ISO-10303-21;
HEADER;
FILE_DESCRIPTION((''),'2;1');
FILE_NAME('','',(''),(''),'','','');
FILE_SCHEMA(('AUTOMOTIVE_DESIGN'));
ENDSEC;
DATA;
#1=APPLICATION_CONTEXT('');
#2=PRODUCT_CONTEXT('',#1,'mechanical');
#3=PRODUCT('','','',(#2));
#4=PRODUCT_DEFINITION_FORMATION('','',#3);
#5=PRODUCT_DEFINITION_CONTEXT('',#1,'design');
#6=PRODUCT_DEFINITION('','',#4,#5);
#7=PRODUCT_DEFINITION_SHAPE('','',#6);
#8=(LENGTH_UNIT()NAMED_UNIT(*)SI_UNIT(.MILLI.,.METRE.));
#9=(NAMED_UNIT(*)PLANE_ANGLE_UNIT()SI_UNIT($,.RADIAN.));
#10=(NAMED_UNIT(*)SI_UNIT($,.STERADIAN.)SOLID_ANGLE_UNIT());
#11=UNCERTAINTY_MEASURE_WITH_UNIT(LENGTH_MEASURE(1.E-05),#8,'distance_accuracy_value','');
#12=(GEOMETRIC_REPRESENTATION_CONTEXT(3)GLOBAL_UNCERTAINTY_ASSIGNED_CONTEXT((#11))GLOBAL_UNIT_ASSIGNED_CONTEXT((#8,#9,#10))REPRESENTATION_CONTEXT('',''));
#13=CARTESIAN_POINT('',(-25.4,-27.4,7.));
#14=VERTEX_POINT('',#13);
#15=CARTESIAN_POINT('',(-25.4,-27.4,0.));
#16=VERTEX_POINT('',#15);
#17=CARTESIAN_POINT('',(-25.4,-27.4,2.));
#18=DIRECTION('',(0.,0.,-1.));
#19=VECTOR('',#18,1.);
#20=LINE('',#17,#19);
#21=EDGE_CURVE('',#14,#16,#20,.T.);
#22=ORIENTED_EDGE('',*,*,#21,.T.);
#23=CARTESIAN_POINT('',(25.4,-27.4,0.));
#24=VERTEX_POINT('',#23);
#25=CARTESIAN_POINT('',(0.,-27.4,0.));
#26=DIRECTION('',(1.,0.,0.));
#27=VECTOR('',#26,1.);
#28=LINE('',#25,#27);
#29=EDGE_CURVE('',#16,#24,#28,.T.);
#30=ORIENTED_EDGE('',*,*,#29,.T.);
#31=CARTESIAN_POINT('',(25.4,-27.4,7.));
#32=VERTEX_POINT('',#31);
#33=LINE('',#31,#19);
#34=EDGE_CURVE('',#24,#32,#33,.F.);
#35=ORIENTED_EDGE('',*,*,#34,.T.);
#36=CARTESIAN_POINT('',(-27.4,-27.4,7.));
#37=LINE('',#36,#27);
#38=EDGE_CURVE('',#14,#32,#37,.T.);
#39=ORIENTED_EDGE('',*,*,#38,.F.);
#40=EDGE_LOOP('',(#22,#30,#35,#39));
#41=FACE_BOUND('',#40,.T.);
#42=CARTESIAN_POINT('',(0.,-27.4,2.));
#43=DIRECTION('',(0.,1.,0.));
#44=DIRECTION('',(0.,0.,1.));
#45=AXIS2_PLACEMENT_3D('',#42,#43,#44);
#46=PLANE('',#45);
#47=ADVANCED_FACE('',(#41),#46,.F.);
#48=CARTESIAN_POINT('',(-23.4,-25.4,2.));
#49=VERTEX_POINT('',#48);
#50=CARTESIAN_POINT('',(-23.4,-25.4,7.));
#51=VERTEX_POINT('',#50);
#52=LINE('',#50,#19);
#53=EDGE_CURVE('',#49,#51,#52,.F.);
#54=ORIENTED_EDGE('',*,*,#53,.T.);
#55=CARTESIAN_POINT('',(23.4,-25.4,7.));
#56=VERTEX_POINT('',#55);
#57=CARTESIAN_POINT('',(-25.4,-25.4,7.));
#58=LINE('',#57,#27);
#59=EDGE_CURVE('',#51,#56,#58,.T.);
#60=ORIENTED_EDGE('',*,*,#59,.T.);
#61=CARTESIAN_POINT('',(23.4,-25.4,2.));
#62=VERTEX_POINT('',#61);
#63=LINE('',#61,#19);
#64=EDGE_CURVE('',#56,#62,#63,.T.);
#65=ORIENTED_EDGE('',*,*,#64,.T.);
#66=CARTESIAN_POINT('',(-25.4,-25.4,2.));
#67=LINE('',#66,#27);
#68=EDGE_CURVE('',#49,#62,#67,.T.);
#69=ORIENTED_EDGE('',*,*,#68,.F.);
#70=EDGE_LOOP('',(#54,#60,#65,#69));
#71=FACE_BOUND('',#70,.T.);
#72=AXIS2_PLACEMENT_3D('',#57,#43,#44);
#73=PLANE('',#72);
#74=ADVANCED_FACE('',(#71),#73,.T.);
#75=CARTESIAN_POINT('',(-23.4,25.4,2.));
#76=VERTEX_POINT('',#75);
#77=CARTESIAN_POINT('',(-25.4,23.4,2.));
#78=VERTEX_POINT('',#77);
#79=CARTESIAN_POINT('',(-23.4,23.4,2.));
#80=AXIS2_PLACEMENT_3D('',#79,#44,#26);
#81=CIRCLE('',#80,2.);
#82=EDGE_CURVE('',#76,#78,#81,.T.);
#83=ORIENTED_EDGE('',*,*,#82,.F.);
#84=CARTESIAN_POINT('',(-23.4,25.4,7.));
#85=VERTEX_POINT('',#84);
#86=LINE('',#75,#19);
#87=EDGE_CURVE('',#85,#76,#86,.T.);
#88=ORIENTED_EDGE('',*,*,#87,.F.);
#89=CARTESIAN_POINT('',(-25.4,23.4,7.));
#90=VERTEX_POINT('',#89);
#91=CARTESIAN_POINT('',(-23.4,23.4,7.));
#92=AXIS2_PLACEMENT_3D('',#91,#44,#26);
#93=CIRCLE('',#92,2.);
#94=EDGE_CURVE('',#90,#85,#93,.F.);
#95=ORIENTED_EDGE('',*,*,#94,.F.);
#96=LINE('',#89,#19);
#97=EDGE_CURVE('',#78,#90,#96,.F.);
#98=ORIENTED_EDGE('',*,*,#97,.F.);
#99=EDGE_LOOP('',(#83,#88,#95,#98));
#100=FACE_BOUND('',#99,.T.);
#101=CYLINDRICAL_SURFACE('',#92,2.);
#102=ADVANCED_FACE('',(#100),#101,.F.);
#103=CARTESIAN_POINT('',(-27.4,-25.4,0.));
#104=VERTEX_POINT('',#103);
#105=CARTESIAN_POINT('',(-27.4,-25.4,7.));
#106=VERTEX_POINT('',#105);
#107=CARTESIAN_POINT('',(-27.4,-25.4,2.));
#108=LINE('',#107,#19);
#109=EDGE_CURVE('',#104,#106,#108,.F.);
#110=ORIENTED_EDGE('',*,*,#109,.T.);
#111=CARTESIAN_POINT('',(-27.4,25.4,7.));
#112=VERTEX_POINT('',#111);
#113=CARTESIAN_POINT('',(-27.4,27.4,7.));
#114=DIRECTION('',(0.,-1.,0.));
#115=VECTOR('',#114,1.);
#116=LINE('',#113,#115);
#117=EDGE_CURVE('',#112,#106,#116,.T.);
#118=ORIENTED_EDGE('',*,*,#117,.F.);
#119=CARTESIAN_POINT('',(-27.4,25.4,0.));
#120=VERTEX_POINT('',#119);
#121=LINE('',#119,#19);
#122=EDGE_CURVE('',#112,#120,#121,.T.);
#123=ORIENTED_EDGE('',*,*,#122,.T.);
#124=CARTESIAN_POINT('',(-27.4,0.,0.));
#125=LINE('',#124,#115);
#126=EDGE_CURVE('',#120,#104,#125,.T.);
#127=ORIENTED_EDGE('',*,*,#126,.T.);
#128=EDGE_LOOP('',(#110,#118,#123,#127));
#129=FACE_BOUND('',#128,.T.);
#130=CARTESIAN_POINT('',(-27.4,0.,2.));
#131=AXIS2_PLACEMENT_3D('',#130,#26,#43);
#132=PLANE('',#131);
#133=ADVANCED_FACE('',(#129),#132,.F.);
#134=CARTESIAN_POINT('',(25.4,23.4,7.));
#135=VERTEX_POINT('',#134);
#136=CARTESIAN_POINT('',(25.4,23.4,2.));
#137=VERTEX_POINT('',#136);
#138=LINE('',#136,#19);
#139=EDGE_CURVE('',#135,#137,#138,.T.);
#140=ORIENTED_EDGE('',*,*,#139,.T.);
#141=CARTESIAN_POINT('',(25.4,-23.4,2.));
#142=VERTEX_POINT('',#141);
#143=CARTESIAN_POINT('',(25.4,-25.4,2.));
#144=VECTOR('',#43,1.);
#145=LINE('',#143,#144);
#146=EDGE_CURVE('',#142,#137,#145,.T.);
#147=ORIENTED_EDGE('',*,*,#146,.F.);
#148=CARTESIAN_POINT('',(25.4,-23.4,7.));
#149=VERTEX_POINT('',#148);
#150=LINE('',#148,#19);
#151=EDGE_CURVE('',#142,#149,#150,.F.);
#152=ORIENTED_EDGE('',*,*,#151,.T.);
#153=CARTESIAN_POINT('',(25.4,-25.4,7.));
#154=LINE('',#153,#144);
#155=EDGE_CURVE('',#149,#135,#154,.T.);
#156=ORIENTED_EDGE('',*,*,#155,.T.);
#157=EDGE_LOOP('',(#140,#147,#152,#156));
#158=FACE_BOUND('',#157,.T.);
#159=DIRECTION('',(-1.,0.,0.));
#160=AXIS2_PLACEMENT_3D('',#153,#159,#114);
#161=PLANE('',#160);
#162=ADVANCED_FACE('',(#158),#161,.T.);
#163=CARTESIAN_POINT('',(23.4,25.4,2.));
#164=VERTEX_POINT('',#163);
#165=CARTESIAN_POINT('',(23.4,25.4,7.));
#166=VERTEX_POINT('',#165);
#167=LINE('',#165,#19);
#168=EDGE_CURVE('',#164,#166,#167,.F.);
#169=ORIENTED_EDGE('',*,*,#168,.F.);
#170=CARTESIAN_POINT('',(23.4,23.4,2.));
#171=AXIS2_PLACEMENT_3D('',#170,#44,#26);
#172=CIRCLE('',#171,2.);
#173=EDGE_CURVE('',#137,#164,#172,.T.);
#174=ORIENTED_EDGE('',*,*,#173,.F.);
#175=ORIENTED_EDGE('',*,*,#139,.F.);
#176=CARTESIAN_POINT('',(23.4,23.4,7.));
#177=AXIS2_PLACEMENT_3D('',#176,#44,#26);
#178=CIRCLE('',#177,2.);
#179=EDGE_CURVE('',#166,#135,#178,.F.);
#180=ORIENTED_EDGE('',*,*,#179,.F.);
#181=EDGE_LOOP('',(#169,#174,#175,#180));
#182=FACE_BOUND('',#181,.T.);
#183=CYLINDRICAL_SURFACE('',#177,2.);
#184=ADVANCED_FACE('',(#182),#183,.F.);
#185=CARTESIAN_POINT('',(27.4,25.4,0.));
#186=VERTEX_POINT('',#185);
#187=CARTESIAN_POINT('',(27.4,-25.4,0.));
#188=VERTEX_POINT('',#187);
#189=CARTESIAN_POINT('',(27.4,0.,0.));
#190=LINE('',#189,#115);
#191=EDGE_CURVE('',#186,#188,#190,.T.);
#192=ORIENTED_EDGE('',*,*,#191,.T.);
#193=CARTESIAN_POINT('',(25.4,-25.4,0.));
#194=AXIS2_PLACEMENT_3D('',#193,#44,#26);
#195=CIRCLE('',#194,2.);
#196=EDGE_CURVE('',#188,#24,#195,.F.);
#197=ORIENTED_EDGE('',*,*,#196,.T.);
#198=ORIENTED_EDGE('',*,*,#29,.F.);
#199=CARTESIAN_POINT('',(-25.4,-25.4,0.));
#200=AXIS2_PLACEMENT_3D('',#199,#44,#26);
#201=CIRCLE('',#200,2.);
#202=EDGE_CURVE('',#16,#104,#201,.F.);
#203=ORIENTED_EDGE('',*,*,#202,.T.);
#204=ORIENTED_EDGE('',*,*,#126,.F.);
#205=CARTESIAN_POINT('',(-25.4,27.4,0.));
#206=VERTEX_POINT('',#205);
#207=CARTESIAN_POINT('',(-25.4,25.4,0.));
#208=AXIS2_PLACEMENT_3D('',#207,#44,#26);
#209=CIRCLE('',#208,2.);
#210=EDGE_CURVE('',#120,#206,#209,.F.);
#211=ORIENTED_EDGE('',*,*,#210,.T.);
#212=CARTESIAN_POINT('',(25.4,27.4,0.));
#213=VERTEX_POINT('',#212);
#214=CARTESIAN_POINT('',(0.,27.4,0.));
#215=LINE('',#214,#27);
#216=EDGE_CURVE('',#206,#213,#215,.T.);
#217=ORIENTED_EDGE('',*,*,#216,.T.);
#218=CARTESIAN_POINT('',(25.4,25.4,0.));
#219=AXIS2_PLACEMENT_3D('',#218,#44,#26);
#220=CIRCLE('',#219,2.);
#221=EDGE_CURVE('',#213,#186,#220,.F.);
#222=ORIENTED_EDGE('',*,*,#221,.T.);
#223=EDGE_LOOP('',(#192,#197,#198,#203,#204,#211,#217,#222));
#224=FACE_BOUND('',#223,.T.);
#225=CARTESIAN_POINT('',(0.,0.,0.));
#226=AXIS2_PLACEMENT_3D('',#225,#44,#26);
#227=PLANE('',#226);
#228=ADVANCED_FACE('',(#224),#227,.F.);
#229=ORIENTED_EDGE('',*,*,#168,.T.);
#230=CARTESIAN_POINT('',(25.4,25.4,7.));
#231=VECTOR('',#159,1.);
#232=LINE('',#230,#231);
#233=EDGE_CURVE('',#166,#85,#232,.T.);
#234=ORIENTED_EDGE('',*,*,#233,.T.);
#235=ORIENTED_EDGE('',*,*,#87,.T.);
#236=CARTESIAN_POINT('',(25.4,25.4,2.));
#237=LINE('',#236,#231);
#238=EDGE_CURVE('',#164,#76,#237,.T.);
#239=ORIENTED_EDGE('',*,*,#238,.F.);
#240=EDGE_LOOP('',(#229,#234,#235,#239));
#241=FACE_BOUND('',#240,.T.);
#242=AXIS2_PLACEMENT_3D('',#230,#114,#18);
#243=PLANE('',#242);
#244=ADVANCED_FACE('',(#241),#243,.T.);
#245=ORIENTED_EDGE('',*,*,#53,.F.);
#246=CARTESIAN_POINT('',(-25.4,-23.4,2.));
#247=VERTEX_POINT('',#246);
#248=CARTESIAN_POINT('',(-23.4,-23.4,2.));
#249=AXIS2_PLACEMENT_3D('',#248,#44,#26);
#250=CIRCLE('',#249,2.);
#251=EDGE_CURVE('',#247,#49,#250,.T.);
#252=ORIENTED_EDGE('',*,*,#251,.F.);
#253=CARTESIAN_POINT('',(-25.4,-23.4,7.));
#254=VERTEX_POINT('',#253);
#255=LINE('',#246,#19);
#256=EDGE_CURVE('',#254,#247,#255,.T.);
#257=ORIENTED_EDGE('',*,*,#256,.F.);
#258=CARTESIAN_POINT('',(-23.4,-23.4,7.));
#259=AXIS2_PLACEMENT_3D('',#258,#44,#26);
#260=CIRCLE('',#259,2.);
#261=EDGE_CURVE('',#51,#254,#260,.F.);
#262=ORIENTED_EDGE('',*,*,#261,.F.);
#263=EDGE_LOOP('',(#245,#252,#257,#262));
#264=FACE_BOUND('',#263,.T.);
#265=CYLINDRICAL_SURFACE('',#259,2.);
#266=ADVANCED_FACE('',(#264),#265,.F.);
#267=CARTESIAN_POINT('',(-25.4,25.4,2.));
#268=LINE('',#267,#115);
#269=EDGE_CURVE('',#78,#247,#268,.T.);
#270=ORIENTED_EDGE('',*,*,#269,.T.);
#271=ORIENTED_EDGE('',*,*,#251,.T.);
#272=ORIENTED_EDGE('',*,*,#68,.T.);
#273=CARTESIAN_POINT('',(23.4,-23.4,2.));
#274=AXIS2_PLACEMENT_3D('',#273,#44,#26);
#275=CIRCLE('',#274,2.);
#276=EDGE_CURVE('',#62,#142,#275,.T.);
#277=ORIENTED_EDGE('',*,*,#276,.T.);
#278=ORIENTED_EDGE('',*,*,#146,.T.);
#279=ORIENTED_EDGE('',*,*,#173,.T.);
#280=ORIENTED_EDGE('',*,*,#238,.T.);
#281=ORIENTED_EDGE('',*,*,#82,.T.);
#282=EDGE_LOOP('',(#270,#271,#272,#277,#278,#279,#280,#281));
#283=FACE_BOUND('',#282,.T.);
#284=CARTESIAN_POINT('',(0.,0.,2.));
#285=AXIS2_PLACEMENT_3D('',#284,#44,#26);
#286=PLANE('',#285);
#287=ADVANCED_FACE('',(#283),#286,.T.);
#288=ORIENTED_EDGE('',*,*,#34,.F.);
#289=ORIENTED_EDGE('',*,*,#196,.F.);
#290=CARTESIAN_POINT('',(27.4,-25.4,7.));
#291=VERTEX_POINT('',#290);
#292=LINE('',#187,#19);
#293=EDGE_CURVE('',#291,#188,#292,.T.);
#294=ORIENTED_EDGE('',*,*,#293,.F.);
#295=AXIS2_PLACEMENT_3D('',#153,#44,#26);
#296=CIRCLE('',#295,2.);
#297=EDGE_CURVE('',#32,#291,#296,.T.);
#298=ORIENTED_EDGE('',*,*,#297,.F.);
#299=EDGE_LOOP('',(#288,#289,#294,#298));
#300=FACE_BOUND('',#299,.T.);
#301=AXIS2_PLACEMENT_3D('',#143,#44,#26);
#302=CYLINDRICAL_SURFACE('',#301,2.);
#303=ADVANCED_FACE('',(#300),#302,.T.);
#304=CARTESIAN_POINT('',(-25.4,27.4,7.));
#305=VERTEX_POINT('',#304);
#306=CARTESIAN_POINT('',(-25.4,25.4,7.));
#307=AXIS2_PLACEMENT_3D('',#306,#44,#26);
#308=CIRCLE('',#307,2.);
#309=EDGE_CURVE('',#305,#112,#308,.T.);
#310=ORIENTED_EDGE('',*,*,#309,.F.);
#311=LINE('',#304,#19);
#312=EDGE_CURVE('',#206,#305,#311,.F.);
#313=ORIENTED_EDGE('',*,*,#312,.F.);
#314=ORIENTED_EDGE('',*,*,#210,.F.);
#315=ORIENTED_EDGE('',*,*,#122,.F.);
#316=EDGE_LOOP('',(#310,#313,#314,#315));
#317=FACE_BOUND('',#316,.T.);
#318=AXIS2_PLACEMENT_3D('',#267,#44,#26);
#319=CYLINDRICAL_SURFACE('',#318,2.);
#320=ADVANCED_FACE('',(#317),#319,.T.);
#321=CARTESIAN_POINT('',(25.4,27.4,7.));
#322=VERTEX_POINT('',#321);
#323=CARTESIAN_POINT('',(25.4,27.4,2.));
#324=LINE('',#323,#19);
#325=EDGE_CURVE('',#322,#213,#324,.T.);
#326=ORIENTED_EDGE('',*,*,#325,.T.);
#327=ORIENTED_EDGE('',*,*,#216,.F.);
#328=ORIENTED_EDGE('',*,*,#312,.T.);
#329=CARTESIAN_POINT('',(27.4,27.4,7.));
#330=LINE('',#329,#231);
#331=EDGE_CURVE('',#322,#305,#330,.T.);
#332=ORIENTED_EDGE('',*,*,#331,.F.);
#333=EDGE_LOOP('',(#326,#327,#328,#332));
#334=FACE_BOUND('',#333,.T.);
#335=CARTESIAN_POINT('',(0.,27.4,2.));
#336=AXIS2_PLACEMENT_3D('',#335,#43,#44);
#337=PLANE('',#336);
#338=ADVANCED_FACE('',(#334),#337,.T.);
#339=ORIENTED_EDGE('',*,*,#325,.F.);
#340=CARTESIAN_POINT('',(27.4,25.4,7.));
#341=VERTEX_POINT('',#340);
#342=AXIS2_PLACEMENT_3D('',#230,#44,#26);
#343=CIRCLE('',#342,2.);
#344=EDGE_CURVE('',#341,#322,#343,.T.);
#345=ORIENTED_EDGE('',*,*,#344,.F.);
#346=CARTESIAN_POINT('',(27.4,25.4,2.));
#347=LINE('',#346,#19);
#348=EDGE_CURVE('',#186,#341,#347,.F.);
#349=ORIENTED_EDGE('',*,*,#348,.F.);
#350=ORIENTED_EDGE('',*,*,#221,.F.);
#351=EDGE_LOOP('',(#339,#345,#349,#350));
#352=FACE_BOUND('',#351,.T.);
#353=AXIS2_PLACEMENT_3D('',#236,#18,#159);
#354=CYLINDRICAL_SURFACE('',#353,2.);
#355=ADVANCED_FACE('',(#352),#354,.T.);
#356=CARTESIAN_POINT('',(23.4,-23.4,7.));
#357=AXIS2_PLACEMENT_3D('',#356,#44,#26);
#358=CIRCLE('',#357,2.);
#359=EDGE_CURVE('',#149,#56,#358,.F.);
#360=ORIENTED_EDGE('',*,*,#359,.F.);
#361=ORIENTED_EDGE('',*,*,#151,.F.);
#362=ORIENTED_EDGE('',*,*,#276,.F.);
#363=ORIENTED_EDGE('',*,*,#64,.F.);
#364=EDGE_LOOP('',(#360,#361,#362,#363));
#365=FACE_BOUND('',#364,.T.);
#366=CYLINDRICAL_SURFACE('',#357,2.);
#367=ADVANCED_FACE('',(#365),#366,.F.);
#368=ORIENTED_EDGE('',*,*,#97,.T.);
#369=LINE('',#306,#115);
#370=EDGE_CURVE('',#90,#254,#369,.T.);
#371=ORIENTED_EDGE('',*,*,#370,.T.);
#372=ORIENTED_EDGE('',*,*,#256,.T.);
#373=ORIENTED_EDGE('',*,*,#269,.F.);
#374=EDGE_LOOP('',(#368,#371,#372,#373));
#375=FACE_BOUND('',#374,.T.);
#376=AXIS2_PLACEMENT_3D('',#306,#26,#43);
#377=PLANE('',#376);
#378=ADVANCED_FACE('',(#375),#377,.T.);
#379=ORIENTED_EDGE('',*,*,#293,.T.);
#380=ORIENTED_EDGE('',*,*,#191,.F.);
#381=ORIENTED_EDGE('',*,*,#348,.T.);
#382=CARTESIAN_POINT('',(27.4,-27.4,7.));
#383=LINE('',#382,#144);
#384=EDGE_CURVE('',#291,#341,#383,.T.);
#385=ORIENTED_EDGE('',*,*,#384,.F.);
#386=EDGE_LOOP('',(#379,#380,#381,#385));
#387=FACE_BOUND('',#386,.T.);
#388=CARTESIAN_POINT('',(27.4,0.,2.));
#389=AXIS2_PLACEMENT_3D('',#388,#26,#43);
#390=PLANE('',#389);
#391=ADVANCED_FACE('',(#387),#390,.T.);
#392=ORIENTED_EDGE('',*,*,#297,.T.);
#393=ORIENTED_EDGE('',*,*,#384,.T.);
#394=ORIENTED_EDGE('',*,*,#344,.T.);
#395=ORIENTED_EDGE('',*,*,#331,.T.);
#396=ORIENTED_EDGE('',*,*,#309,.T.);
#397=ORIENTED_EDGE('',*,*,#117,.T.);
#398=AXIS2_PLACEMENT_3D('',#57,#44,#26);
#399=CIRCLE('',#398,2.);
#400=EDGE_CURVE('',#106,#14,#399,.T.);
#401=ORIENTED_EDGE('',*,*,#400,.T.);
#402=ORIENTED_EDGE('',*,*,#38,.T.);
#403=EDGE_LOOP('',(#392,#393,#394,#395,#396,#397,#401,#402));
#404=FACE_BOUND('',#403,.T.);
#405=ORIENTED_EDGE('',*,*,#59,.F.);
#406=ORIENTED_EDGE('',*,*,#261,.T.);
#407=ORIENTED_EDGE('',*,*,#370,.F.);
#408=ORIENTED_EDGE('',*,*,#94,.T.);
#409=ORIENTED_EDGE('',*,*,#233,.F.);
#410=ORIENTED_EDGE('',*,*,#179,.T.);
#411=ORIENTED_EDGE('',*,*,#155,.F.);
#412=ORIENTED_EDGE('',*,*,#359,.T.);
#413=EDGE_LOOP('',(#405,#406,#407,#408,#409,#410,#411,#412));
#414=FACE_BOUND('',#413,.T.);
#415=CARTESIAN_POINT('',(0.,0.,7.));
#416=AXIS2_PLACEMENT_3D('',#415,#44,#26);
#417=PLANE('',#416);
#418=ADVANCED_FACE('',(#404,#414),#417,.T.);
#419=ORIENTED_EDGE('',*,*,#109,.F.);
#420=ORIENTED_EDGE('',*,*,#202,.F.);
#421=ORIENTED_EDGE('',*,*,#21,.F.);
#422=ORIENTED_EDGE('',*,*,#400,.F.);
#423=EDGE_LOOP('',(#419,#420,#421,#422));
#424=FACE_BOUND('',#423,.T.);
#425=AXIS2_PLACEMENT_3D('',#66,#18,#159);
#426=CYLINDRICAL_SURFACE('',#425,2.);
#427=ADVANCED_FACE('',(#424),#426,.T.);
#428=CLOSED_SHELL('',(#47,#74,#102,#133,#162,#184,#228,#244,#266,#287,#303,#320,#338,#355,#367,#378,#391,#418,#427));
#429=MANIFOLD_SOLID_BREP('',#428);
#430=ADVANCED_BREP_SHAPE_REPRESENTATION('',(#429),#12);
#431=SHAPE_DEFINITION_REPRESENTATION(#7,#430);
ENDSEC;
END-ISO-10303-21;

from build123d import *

# Parameters (mm, degrees)
SKETCH1_W           = 54.8
SKETCH1_H           = 54.8
SKETCH1_W_2         = 50.8
SKETCH1_H_2         = 50.8
BOSS_EXTRUDE1_DEPTH = 2
SKETCH2_W           = 54.8
SKETCH2_H           = 54.8
SKETCH2_W_2         = 50.8
SKETCH2_H_2         = 50.8
BOSS_EXTRUDE2_DEPTH = 5
FILLET1_R           = 2


with BuildPart() as part:
    # Sketch1 → Boss-Extrude1 (new body)
    # profile 1 of 2: a face of its own
    with BuildSketch(Plane.XY):
        Rectangle(SKETCH1_W, SKETCH1_H)
        Rectangle(SKETCH1_W_2, SKETCH1_H_2, mode=Mode.SUBTRACT)
    # profile 2 of 2: a face of its own
    with BuildSketch(Plane.XY):
        Rectangle(SKETCH1_W_2, SKETCH1_H_2)
    extrude(amount=BOSS_EXTRUDE1_DEPTH)

    # Sketch2 → Boss-Extrude2 (add)
    with BuildSketch(Plane.XY.offset(2)):
        Rectangle(SKETCH2_W, SKETCH2_H)
        Rectangle(SKETCH2_W_2, SKETCH2_H_2, mode=Mode.SUBTRACT)
    extrude(amount=BOSS_EXTRUDE2_DEPTH)

    # Fillet1
    fillet1_edges = [part.edges().sort_by_distance(p)[0] for p in [
        (-25.4, -25.4, 4.5),
        (25.4, -25.4, 4.5),
        (25.4, 25.4, 4.5),
        (-25.4, 25.4, 4.5),
        (27.4, 27.4, 3.5),
        (27.4, -27.4, 3.5),
        (-27.4, -27.4, 3.5),
        (-27.4, 27.4, 3.5),
    ]]
    fillet(fillet1_edges, radius=FILLET1_R)


solid = part.part
